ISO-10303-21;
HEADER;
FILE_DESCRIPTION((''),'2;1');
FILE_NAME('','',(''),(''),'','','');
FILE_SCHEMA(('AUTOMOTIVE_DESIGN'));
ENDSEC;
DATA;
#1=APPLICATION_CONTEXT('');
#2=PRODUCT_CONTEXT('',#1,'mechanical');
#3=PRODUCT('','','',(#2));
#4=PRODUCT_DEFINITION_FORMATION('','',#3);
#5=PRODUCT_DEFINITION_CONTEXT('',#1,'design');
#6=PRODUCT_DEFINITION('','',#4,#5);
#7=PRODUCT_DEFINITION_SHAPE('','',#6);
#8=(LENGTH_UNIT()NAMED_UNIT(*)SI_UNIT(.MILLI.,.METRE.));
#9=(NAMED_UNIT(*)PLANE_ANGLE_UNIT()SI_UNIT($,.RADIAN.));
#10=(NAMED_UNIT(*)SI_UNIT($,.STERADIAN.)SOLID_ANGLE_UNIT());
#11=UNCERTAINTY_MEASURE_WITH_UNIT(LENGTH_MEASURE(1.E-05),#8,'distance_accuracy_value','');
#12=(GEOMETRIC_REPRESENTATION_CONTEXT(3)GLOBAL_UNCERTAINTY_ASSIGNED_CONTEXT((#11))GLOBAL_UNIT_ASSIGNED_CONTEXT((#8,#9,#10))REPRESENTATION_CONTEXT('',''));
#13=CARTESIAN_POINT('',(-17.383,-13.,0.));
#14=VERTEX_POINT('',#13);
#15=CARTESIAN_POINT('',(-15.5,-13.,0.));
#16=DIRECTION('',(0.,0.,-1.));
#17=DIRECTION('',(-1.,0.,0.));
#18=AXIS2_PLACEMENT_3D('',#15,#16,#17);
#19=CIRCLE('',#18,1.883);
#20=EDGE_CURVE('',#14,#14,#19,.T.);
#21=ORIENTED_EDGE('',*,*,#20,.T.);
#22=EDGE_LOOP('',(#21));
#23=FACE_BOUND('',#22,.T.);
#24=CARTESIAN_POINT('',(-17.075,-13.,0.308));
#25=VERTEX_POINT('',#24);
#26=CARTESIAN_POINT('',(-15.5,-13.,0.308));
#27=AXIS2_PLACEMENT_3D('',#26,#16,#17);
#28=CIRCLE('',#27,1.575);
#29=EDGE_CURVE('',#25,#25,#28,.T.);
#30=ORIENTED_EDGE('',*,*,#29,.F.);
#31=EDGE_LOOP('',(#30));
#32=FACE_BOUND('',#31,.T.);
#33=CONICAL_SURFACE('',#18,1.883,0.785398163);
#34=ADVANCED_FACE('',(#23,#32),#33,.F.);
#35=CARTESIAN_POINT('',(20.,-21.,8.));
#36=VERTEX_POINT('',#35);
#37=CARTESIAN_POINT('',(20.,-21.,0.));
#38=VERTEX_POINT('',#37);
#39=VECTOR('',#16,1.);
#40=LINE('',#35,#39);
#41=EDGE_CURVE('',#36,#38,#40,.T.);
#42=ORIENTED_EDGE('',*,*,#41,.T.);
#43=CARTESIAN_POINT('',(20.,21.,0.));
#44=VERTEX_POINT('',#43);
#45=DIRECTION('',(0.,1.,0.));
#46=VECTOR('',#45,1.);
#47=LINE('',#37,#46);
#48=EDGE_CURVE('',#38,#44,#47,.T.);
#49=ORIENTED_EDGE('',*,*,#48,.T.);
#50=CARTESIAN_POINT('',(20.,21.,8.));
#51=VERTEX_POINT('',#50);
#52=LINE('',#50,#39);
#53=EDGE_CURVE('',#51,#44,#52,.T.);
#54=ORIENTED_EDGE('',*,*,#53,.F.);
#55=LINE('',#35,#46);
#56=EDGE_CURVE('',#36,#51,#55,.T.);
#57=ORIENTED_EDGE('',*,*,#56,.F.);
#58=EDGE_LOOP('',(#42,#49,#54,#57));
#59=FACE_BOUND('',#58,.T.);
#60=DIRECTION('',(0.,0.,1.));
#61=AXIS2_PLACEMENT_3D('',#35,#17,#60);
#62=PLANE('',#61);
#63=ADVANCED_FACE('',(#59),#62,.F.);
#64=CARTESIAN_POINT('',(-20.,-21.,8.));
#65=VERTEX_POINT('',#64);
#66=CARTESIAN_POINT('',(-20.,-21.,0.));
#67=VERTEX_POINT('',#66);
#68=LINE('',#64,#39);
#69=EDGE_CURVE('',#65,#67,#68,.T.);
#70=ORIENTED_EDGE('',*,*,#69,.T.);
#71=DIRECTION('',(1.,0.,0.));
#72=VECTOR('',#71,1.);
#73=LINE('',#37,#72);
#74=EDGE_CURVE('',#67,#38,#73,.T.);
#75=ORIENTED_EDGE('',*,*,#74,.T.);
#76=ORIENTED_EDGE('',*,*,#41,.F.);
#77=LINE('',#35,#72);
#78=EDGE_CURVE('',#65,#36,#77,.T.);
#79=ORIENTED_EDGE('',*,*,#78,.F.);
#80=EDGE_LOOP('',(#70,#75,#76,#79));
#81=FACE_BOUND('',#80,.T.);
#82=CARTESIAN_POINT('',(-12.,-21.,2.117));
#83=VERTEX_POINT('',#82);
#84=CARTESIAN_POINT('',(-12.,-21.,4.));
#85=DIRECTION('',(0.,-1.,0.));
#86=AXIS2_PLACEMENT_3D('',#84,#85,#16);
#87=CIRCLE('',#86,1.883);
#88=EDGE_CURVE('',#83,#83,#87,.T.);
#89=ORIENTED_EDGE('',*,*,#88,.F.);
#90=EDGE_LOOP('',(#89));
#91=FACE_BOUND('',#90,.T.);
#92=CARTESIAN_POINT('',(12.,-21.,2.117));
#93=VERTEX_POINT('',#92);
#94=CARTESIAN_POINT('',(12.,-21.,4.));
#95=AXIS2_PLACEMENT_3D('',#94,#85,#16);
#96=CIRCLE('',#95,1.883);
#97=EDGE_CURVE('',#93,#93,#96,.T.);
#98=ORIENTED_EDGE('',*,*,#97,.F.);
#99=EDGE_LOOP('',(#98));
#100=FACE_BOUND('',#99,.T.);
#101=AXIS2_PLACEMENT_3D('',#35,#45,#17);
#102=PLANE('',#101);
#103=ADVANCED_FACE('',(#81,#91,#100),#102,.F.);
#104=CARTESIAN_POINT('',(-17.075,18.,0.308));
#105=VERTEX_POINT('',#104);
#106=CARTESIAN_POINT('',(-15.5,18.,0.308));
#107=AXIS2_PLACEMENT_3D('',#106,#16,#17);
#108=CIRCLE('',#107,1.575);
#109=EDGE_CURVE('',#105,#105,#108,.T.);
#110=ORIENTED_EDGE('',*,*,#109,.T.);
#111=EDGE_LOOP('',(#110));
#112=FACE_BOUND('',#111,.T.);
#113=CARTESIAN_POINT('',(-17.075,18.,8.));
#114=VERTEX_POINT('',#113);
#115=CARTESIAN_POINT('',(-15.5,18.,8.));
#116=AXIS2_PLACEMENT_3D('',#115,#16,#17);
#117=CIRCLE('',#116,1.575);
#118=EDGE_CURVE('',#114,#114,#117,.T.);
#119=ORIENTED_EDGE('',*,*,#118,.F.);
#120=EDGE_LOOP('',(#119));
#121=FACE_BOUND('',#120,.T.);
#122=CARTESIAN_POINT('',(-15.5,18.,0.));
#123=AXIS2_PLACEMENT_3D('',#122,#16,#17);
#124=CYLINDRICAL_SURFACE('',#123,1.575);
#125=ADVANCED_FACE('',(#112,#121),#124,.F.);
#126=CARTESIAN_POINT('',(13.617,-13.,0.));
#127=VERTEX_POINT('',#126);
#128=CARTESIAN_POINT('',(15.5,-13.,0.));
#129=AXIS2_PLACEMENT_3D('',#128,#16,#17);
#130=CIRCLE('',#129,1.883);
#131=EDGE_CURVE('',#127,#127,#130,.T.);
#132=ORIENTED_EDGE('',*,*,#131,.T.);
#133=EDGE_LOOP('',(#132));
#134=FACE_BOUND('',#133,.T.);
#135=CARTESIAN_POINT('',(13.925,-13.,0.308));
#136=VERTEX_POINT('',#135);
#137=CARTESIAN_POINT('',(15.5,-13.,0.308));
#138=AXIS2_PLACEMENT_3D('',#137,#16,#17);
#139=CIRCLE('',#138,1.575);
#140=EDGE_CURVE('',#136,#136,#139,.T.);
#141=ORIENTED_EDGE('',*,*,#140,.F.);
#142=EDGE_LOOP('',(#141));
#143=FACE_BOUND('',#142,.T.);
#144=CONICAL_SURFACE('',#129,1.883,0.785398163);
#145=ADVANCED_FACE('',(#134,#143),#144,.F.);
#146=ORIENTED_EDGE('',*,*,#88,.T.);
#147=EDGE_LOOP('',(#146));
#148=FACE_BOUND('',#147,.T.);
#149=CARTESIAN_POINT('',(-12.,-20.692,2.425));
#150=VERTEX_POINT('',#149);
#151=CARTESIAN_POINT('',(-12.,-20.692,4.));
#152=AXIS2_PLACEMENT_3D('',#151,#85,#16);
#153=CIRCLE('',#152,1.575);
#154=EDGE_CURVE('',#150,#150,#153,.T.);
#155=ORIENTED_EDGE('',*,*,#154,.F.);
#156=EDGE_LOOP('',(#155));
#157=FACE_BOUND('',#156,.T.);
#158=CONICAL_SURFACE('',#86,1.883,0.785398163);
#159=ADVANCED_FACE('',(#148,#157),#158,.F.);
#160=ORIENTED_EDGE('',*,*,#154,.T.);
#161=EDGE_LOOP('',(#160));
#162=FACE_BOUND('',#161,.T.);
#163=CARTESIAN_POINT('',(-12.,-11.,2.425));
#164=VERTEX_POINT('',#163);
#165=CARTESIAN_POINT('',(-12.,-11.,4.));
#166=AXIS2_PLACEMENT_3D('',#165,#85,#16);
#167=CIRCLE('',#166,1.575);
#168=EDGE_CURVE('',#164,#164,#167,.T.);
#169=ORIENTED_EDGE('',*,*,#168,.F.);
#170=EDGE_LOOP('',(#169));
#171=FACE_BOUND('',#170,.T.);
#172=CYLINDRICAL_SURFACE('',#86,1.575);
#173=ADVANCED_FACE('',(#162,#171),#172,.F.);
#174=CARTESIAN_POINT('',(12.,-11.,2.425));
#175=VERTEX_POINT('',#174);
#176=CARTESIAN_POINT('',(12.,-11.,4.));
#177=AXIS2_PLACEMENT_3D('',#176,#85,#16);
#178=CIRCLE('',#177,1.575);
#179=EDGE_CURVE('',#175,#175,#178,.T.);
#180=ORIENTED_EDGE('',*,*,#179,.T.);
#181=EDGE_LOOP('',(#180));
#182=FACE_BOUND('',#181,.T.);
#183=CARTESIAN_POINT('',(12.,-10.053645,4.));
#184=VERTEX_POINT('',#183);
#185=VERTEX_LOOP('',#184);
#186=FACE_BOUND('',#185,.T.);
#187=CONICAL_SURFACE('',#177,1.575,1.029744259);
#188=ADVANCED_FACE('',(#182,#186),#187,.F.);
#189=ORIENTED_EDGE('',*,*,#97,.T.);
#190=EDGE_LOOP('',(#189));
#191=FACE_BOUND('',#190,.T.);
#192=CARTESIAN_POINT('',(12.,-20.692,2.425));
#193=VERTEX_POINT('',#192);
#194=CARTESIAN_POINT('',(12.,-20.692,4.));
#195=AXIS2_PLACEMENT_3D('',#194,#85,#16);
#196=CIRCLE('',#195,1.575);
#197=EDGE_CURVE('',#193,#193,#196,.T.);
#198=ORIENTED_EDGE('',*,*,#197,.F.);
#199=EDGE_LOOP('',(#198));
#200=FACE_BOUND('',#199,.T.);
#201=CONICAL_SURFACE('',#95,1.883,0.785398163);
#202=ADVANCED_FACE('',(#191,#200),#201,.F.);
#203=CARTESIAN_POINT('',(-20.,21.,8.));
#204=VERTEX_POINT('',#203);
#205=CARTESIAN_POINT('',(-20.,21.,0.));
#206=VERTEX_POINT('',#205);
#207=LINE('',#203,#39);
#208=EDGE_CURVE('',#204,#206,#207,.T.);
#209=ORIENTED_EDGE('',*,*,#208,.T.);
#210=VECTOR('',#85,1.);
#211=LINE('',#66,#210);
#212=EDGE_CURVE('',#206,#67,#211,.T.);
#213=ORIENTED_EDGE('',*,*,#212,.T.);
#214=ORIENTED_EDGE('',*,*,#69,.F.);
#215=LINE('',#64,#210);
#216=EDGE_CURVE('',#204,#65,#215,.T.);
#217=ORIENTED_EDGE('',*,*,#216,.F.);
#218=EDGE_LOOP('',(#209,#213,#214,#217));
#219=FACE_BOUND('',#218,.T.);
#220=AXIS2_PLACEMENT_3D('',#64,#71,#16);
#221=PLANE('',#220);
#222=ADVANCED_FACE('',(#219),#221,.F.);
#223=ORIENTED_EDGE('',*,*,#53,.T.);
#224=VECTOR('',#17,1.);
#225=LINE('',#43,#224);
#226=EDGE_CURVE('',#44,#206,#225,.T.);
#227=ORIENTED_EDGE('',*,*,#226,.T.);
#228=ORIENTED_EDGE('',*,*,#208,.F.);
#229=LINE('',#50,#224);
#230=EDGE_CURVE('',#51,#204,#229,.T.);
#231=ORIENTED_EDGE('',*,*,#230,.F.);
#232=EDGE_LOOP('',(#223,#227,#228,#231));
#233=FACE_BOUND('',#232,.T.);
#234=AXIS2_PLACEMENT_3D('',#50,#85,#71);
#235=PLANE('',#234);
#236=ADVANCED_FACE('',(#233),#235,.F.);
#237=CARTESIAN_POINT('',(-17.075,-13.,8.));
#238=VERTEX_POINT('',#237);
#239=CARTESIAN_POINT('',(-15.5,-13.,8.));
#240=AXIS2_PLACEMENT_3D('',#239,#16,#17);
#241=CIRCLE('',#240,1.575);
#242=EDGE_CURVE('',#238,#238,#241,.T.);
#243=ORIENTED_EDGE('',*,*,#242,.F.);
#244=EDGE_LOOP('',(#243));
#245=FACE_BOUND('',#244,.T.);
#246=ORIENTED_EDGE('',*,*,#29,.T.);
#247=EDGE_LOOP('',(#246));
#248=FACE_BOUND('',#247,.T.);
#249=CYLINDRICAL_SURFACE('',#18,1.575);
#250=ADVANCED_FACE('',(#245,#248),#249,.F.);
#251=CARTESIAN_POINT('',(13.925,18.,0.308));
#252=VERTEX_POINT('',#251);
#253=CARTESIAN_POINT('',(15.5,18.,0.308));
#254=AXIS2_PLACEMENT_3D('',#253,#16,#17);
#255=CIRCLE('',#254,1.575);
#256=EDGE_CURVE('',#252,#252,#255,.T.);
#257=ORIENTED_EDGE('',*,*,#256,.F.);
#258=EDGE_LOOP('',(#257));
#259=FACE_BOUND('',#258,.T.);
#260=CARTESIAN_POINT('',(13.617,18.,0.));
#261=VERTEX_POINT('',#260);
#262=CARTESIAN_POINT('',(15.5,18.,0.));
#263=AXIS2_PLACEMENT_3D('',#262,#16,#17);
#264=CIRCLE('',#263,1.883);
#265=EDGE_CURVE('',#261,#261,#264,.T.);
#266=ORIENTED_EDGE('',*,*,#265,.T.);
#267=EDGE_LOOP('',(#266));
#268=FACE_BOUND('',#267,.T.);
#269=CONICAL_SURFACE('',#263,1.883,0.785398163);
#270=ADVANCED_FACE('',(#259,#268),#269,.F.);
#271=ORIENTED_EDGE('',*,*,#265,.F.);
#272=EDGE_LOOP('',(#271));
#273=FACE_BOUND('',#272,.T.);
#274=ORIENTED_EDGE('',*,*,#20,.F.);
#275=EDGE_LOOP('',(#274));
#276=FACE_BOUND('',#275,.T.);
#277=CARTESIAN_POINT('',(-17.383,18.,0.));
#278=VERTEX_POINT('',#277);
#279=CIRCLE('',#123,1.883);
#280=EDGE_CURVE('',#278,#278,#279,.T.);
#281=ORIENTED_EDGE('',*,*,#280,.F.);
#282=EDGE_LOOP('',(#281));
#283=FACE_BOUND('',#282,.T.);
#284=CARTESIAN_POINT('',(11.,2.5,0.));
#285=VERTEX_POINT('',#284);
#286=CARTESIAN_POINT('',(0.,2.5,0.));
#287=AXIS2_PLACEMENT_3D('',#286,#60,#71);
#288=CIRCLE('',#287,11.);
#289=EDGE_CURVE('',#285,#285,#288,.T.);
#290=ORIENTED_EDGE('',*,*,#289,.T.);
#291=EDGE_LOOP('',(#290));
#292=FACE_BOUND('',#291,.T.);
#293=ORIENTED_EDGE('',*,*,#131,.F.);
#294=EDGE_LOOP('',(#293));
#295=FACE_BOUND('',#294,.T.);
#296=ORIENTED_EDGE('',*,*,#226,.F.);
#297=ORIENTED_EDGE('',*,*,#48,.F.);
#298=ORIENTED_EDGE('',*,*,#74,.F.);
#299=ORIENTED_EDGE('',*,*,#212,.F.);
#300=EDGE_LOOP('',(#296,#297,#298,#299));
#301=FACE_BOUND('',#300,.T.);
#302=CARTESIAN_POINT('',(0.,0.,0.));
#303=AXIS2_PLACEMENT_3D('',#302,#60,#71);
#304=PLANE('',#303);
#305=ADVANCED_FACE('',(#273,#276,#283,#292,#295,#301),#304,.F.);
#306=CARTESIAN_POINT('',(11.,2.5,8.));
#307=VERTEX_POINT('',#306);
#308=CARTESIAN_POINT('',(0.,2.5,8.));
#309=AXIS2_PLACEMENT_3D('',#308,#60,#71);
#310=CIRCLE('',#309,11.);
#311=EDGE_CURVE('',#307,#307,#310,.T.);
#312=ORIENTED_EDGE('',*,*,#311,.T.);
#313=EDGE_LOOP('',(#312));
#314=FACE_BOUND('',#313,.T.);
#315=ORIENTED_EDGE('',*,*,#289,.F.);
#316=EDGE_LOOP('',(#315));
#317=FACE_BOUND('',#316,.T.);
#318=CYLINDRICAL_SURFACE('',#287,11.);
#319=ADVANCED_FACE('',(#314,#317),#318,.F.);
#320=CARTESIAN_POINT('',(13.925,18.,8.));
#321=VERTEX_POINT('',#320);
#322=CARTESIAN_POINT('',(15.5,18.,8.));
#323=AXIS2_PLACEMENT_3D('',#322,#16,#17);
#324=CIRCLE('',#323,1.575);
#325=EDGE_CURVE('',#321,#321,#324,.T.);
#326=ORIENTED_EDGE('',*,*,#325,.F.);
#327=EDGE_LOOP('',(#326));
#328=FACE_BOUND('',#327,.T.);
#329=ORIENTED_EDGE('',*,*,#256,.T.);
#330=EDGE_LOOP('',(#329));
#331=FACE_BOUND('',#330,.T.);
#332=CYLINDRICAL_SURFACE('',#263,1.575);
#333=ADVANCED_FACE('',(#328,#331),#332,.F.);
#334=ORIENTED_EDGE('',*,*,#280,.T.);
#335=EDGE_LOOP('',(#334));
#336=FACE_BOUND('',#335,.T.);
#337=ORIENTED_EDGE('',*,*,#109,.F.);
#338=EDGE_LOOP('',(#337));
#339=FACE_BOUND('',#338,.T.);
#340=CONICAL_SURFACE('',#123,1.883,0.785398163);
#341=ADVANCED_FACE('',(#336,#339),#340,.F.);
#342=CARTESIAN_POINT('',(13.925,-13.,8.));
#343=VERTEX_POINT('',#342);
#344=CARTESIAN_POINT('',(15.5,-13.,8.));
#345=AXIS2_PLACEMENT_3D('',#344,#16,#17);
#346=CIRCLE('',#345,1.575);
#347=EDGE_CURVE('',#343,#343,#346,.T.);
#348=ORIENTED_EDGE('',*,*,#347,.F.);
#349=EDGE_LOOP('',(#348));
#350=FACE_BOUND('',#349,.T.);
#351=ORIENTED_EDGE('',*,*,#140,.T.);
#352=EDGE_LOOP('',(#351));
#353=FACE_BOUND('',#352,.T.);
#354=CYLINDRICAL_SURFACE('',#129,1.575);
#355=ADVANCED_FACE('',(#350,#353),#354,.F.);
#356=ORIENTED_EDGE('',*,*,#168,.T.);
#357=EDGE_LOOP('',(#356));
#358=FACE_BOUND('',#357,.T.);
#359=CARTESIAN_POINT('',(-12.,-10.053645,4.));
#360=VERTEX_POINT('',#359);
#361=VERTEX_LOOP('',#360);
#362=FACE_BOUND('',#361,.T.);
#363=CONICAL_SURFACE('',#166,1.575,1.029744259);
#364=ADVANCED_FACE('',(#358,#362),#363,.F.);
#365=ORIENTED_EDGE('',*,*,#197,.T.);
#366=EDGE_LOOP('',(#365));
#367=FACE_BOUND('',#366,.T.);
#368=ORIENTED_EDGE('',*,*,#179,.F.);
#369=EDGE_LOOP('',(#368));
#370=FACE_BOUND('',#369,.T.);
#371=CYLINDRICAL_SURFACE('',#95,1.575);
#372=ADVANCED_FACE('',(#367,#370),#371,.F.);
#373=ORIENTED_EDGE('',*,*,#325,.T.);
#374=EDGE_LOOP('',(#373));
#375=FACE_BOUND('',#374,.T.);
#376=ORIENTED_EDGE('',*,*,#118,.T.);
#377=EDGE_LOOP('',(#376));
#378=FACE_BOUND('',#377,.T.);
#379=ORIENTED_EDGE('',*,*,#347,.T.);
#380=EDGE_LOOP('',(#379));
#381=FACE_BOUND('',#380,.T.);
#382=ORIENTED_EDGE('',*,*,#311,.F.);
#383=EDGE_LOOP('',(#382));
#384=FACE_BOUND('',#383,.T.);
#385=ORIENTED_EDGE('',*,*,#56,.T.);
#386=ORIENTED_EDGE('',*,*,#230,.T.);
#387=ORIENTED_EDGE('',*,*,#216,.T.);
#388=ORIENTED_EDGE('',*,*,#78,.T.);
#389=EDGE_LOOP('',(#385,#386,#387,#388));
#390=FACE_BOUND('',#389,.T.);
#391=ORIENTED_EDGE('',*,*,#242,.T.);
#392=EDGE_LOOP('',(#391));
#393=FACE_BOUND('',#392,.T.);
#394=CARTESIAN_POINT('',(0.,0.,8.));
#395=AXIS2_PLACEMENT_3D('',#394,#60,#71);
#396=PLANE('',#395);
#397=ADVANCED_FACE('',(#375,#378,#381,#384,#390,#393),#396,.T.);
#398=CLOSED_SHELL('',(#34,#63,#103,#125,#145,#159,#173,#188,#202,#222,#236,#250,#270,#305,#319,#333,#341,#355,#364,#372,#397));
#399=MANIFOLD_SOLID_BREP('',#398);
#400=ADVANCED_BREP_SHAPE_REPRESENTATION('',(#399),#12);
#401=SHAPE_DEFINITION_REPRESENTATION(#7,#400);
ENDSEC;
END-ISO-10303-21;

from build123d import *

# Parameters (mm, degrees)
ESBO_O1_W                                         = 40
ESBO_O1_H                                         = 42
RESSALTO_EXTRUS_O1_DEPTH                          = 8
ESBO_O2_R                                         = 11
CORTE_EXTRUS_O1_DEPTH                             = 9
FURO_ROSCADO_PARA_CONDU_TE_DE_M3X0_51_D           = 3.15
FURO_ROSCADO_PARA_CONDU_TE_DE_M3X0_51_DEPTH       = 10
FURO_ROSCADO_PARA_CONDU_TE_DE_M3X0_51_CSINK_D     = 3.766
FURO_ROSCADO_PARA_CONDU_TE_DE_M3X0_51_CSINK_ANGLE = 90
FURO_ROSCADO_PARA_CONDU_TE_DE_M3X0_51_TIP         = 0.946355475
FURO_ROSCADO_PARA_CONDU_TE_DE_M3X0_52_D           = 3.15
FURO_ROSCADO_PARA_CONDU_TE_DE_M3X0_52_CSINK_D     = 3.766
FURO_ROSCADO_PARA_CONDU_TE_DE_M3X0_52_CSINK_ANGLE = 90


with BuildPart() as part:
    # Esboço1 → Ressalto-extrusão1 (new body)
    with BuildSketch(Plane.XY):
        Rectangle(ESBO_O1_W, ESBO_O1_H)
    extrude(amount=RESSALTO_EXTRUS_O1_DEPTH)

    # Esboço2 → Corte-extrusão1 (cut, through all)
    with BuildSketch(Plane.XY.offset(8)):
        with Locations((0, 2.5)):
            Circle(ESBO_O2_R)
    extrude(amount=-CORTE_EXTRUS_O1_DEPTH, mode=Mode.SUBTRACT)

    # Furo roscado para conduíte de M3x0.51
    with Locations(Plane(origin=(0, -21, 0), x_dir=(-1, 0, 0), z_dir=(0, -1, 0))):
        with Locations((-12, -4), (12, -4)):
            CounterSinkHole(FURO_ROSCADO_PARA_CONDU_TE_DE_M3X0_51_D / 2, FURO_ROSCADO_PARA_CONDU_TE_DE_M3X0_51_CSINK_D / 2, depth=FURO_ROSCADO_PARA_CONDU_TE_DE_M3X0_51_DEPTH, counter_sink_angle=FURO_ROSCADO_PARA_CONDU_TE_DE_M3X0_51_CSINK_ANGLE)
            with Locations((0, 0, -(FURO_ROSCADO_PARA_CONDU_TE_DE_M3X0_51_DEPTH + FURO_ROSCADO_PARA_CONDU_TE_DE_M3X0_51_TIP / 2))):  # 118° drill point
                Cone(0, FURO_ROSCADO_PARA_CONDU_TE_DE_M3X0_51_D / 2, FURO_ROSCADO_PARA_CONDU_TE_DE_M3X0_51_TIP, mode=Mode.SUBTRACT)

    # Furo roscado para conduíte de M3x0.52 (through all)
    with Locations(Plane(origin=(0, 0, 0), x_dir=(-1, 0, 0), z_dir=(0, 0, -1))):
        with Locations((-15.5, 18), (15.5, 18), (-15.5, -13), (15.5, -13)):
            CounterSinkHole(FURO_ROSCADO_PARA_CONDU_TE_DE_M3X0_52_D / 2, FURO_ROSCADO_PARA_CONDU_TE_DE_M3X0_52_CSINK_D / 2, counter_sink_angle=FURO_ROSCADO_PARA_CONDU_TE_DE_M3X0_52_CSINK_ANGLE)


solid = part.part
